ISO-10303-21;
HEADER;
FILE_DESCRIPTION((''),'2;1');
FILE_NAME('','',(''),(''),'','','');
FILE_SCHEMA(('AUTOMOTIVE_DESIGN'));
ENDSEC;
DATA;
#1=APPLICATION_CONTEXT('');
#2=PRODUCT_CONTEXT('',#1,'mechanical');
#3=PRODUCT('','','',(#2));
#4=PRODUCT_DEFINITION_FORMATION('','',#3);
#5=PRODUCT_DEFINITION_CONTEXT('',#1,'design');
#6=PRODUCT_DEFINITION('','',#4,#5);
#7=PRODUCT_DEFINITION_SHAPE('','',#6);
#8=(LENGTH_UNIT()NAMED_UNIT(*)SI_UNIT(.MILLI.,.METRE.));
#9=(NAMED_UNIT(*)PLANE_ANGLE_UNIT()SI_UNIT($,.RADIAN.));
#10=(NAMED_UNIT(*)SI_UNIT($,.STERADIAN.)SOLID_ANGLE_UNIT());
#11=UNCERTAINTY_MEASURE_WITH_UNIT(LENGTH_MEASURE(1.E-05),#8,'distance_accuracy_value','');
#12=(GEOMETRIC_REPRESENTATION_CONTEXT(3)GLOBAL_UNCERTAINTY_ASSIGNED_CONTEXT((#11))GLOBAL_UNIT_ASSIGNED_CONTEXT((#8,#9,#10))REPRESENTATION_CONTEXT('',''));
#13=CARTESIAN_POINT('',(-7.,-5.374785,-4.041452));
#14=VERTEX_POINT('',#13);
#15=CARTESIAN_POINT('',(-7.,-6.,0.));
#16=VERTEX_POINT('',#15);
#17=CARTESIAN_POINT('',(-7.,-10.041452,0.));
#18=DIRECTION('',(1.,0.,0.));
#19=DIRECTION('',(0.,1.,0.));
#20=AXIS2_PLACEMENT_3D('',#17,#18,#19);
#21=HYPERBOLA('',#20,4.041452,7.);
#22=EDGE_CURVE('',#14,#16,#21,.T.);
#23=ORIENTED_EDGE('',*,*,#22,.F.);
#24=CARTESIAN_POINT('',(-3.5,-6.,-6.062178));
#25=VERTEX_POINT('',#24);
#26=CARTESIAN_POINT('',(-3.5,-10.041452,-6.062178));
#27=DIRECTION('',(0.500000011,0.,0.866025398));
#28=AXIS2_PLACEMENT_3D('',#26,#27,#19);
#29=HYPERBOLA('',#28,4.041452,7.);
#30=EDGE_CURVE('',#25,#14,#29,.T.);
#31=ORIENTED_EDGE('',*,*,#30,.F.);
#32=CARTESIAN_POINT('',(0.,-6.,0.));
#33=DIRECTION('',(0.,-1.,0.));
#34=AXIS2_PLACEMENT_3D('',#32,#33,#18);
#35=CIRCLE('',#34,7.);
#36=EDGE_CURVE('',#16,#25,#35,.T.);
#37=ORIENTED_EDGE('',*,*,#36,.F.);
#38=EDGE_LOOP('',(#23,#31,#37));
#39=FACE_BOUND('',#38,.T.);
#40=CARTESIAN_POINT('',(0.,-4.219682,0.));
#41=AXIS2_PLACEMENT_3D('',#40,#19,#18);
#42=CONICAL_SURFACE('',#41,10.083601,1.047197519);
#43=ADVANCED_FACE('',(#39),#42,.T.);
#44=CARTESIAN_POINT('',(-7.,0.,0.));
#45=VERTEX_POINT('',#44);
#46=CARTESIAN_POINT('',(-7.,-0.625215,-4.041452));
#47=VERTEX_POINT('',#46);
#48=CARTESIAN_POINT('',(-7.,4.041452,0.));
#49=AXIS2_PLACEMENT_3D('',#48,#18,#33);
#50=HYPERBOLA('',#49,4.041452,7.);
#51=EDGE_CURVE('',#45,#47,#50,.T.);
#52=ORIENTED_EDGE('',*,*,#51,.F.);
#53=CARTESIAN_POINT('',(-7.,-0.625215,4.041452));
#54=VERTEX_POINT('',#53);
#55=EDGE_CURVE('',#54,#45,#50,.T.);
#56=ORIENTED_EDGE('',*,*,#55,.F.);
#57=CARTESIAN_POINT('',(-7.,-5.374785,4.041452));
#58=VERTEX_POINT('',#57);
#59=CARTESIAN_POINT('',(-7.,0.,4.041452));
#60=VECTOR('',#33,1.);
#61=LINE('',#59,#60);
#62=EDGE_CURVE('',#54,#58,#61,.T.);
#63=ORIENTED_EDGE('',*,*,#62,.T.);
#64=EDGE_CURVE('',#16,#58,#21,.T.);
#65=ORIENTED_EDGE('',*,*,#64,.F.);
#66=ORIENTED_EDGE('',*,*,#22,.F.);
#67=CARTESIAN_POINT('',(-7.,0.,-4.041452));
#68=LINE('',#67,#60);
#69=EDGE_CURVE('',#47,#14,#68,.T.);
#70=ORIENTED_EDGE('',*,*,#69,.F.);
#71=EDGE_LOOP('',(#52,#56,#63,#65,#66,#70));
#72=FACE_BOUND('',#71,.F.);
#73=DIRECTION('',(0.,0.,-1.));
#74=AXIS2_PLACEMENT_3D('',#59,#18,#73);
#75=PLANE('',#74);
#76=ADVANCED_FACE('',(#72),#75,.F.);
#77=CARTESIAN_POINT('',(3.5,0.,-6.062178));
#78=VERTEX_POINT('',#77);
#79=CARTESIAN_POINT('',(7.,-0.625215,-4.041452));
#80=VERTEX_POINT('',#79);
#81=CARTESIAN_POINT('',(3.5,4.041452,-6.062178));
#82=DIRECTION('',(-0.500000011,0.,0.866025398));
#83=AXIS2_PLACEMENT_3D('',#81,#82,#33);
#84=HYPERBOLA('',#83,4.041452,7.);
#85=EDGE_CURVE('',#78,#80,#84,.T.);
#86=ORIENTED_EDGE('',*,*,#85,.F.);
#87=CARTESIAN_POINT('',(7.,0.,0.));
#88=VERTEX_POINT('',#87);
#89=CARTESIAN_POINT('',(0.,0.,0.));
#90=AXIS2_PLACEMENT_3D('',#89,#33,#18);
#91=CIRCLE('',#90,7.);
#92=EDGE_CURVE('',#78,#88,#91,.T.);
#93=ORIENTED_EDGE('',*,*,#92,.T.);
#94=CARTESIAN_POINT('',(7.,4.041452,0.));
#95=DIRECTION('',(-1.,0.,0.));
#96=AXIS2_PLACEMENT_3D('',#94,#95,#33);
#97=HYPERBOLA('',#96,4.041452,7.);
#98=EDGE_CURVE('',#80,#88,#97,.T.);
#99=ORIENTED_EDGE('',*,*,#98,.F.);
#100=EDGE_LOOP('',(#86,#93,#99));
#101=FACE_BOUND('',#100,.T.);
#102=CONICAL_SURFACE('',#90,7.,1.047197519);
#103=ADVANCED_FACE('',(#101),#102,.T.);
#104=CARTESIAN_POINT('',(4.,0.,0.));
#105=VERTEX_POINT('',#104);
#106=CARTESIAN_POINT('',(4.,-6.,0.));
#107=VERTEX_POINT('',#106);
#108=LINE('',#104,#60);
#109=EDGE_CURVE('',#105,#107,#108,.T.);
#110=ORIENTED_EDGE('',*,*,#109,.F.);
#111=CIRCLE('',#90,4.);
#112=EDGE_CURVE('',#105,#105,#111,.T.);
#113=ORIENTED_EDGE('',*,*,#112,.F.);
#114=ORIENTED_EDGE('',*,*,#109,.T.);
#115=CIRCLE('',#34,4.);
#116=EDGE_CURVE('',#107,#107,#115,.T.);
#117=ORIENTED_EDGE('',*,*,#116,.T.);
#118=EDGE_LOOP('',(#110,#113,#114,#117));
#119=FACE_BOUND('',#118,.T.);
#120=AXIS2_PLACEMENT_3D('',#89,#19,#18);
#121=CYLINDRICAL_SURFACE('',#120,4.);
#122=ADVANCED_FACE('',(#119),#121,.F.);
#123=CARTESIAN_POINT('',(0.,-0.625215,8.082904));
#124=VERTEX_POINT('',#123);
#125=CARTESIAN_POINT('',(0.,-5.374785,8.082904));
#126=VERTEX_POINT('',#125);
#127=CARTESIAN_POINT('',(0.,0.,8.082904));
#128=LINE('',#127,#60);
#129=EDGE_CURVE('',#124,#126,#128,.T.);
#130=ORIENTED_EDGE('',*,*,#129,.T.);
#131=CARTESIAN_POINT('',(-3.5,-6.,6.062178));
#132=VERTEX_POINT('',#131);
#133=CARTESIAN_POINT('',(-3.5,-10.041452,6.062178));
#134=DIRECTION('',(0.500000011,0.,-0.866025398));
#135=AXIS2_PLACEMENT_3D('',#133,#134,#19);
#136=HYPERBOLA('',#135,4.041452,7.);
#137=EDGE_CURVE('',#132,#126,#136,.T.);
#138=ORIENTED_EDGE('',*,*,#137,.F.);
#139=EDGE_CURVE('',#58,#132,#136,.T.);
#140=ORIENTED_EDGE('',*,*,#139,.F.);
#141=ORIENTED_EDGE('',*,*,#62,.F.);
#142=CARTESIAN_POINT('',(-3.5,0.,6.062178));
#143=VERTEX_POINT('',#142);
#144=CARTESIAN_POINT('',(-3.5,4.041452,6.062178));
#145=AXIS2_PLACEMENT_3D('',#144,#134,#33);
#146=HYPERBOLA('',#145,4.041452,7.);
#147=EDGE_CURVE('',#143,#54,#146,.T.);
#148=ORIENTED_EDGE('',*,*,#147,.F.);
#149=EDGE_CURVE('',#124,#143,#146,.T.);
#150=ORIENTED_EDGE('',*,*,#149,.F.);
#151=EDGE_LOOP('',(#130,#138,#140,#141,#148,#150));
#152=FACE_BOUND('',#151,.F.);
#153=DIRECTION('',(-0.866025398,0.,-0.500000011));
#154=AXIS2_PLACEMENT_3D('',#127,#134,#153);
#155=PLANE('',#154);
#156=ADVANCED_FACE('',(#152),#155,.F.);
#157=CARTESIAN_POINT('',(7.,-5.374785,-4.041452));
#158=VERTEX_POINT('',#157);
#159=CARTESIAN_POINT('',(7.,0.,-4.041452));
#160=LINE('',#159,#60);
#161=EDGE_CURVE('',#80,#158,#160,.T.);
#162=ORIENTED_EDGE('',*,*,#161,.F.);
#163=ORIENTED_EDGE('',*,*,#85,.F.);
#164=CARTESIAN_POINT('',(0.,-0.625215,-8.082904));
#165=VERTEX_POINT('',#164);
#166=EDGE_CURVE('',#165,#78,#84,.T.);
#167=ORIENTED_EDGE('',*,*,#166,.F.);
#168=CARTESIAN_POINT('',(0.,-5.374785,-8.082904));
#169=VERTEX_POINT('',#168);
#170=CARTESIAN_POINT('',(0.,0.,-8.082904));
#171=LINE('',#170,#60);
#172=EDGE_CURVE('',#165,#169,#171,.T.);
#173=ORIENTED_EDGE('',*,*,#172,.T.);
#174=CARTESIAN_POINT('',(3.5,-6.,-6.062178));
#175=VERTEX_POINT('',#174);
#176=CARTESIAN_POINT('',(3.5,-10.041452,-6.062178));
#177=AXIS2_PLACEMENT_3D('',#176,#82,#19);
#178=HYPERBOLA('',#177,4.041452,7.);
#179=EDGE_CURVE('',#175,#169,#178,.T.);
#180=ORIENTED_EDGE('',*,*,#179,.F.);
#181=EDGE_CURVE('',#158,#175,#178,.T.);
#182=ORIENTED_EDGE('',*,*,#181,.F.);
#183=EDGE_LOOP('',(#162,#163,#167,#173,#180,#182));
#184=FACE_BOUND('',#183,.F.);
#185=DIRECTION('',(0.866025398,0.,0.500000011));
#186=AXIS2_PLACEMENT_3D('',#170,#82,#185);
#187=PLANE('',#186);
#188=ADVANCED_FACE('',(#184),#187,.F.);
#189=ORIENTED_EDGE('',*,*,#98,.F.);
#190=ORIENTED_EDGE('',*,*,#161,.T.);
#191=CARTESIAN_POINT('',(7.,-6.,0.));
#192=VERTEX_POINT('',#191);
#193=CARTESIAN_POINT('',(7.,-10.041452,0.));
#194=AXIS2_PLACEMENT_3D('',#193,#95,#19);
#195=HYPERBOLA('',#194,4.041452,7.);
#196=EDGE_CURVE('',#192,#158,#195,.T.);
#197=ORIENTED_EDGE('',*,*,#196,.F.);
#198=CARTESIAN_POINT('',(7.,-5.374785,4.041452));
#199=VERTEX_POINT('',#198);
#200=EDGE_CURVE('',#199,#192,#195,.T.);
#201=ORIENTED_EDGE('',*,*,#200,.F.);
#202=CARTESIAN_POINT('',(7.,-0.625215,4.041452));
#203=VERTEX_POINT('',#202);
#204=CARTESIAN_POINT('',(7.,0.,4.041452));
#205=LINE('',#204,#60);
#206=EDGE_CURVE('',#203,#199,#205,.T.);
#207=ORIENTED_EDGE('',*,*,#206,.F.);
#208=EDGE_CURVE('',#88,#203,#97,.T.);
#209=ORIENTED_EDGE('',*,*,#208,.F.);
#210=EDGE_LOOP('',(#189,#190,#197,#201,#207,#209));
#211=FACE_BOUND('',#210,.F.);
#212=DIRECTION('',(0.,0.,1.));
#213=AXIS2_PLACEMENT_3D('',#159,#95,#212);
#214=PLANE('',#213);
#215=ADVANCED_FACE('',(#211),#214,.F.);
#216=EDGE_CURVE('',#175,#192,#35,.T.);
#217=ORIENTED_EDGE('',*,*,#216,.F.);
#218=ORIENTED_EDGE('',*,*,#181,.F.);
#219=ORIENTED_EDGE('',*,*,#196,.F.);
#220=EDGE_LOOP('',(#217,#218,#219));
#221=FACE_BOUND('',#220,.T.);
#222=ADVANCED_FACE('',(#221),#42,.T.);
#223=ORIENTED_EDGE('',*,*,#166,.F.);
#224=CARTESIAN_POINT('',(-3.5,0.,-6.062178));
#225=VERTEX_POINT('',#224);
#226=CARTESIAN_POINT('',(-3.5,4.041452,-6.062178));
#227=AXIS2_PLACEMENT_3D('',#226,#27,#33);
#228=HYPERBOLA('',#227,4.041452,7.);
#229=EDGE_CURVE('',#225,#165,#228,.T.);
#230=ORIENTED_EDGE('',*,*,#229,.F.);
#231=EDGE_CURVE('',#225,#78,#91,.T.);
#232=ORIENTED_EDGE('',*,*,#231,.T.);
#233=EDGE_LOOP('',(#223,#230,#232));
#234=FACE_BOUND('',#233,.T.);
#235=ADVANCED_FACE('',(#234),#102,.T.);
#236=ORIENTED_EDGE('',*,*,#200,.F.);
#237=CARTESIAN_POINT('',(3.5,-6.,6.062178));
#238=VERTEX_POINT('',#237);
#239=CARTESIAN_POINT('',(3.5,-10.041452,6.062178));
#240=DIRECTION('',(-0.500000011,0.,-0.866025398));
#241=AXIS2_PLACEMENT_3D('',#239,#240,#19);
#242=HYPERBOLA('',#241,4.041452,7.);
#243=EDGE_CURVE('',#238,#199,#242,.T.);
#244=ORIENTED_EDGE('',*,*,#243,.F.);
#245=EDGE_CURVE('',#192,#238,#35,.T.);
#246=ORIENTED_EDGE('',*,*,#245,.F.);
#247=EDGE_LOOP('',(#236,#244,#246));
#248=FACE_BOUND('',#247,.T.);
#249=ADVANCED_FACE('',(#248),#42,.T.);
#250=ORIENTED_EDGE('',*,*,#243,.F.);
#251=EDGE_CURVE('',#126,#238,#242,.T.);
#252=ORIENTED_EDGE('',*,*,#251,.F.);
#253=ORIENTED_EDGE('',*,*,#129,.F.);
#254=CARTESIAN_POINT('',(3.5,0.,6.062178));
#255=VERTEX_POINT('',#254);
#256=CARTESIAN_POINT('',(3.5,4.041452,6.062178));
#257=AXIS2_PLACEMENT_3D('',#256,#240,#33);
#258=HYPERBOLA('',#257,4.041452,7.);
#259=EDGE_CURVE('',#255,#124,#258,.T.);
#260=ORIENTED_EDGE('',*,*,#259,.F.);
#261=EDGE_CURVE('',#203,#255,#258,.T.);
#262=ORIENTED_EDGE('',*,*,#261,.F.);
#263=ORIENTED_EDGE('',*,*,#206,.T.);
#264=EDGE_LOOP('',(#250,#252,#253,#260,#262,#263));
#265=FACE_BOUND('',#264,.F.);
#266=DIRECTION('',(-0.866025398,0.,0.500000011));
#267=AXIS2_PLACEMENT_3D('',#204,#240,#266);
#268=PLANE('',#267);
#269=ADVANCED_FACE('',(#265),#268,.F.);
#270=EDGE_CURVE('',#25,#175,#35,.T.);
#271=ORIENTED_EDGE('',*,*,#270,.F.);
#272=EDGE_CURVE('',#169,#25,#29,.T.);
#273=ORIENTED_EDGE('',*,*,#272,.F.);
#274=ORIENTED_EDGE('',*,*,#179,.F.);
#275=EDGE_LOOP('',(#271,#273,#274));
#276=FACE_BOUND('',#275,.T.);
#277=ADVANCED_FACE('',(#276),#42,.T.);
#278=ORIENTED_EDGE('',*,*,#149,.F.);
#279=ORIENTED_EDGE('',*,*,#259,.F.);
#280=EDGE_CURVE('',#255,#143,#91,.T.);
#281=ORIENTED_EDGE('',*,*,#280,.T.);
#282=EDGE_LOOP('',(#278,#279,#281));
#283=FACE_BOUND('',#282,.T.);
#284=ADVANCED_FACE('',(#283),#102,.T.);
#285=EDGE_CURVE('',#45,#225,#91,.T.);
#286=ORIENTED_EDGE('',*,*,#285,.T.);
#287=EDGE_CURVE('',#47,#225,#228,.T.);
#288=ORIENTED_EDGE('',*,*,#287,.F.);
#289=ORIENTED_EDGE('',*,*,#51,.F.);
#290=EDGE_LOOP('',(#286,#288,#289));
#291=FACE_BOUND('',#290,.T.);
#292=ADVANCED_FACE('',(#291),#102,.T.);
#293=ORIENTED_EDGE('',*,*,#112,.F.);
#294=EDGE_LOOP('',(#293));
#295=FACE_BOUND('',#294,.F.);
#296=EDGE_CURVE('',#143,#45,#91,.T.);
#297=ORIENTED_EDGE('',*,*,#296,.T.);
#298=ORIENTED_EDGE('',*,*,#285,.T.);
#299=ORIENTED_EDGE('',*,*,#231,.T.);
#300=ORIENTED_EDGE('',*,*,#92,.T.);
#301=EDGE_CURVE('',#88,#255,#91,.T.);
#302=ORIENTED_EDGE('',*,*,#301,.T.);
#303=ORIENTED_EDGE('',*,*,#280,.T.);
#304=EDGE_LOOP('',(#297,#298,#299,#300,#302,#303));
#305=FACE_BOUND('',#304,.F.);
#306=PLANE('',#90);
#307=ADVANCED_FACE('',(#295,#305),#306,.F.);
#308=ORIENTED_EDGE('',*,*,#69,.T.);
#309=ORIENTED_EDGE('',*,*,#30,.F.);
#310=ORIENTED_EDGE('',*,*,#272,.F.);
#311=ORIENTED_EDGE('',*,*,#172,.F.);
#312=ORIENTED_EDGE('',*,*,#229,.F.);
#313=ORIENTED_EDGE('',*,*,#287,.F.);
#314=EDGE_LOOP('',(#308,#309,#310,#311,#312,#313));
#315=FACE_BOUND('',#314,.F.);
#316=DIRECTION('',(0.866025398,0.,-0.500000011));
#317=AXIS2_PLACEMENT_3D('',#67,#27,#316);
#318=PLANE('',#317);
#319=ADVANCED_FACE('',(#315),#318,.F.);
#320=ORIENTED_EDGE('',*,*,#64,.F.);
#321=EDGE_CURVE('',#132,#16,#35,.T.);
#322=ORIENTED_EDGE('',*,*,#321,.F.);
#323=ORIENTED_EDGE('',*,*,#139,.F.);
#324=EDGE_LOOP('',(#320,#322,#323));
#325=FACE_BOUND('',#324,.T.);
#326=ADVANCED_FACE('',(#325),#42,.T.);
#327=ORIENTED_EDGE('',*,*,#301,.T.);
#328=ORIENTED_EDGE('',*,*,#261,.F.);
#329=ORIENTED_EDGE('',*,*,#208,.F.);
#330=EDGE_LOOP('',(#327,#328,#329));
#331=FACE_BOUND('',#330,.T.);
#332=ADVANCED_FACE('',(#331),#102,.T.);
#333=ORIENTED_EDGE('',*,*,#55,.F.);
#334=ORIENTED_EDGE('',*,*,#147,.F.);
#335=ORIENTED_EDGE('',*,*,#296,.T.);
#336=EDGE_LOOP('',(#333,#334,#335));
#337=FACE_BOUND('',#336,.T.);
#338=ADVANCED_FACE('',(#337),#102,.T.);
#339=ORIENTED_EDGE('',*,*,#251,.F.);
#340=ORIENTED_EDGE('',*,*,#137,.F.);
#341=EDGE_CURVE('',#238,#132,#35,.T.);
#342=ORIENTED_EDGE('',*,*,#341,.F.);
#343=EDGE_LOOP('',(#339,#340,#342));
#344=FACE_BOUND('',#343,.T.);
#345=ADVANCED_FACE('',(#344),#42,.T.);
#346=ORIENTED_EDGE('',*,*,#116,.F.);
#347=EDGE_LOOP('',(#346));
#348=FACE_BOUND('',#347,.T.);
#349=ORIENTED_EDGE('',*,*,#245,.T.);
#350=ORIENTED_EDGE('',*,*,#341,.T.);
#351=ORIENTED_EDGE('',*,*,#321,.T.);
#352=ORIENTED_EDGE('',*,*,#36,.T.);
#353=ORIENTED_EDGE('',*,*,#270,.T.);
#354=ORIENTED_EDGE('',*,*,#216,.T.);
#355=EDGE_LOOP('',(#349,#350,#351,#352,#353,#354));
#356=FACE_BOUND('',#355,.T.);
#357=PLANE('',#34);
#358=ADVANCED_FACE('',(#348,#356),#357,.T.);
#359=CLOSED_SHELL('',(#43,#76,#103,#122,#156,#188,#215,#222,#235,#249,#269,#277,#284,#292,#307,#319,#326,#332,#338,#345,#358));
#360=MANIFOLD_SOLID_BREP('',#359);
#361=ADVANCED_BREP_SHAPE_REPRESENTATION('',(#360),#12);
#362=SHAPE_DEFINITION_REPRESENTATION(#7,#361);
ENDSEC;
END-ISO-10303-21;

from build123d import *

# Parameters (mm, degrees)
F0_R     = 4
F1_DEPTH = 6


with BuildPart() as f1:
    # F0 (on Front) → F1 (new body)
    with BuildSketch(Plane.XZ):
        Polygon((7, -4.041452), (7, 4.041452), (0, 8.082904), (-7, 4.041452), (-7, -4.041452), (0, -8.082904), align=None)
        Circle(F0_R, mode=Mode.SUBTRACT)
    extrude(amount=F1_DEPTH)

    # F2 (on Top) → F3 (revolve, cut)
    with BuildSketch(Plane.XY):
        Polygon((10.083601, -1.780318), (10.083601, 0), (7, 0), align=None)
        Polygon((10.083601, -4.219682), (7, -6), (10.083601, -6), align=None)
    revolve(axis=Axis((0, -3, 0), (0, -1, 0)), mode=Mode.SUBTRACT)


solid = f1.part
